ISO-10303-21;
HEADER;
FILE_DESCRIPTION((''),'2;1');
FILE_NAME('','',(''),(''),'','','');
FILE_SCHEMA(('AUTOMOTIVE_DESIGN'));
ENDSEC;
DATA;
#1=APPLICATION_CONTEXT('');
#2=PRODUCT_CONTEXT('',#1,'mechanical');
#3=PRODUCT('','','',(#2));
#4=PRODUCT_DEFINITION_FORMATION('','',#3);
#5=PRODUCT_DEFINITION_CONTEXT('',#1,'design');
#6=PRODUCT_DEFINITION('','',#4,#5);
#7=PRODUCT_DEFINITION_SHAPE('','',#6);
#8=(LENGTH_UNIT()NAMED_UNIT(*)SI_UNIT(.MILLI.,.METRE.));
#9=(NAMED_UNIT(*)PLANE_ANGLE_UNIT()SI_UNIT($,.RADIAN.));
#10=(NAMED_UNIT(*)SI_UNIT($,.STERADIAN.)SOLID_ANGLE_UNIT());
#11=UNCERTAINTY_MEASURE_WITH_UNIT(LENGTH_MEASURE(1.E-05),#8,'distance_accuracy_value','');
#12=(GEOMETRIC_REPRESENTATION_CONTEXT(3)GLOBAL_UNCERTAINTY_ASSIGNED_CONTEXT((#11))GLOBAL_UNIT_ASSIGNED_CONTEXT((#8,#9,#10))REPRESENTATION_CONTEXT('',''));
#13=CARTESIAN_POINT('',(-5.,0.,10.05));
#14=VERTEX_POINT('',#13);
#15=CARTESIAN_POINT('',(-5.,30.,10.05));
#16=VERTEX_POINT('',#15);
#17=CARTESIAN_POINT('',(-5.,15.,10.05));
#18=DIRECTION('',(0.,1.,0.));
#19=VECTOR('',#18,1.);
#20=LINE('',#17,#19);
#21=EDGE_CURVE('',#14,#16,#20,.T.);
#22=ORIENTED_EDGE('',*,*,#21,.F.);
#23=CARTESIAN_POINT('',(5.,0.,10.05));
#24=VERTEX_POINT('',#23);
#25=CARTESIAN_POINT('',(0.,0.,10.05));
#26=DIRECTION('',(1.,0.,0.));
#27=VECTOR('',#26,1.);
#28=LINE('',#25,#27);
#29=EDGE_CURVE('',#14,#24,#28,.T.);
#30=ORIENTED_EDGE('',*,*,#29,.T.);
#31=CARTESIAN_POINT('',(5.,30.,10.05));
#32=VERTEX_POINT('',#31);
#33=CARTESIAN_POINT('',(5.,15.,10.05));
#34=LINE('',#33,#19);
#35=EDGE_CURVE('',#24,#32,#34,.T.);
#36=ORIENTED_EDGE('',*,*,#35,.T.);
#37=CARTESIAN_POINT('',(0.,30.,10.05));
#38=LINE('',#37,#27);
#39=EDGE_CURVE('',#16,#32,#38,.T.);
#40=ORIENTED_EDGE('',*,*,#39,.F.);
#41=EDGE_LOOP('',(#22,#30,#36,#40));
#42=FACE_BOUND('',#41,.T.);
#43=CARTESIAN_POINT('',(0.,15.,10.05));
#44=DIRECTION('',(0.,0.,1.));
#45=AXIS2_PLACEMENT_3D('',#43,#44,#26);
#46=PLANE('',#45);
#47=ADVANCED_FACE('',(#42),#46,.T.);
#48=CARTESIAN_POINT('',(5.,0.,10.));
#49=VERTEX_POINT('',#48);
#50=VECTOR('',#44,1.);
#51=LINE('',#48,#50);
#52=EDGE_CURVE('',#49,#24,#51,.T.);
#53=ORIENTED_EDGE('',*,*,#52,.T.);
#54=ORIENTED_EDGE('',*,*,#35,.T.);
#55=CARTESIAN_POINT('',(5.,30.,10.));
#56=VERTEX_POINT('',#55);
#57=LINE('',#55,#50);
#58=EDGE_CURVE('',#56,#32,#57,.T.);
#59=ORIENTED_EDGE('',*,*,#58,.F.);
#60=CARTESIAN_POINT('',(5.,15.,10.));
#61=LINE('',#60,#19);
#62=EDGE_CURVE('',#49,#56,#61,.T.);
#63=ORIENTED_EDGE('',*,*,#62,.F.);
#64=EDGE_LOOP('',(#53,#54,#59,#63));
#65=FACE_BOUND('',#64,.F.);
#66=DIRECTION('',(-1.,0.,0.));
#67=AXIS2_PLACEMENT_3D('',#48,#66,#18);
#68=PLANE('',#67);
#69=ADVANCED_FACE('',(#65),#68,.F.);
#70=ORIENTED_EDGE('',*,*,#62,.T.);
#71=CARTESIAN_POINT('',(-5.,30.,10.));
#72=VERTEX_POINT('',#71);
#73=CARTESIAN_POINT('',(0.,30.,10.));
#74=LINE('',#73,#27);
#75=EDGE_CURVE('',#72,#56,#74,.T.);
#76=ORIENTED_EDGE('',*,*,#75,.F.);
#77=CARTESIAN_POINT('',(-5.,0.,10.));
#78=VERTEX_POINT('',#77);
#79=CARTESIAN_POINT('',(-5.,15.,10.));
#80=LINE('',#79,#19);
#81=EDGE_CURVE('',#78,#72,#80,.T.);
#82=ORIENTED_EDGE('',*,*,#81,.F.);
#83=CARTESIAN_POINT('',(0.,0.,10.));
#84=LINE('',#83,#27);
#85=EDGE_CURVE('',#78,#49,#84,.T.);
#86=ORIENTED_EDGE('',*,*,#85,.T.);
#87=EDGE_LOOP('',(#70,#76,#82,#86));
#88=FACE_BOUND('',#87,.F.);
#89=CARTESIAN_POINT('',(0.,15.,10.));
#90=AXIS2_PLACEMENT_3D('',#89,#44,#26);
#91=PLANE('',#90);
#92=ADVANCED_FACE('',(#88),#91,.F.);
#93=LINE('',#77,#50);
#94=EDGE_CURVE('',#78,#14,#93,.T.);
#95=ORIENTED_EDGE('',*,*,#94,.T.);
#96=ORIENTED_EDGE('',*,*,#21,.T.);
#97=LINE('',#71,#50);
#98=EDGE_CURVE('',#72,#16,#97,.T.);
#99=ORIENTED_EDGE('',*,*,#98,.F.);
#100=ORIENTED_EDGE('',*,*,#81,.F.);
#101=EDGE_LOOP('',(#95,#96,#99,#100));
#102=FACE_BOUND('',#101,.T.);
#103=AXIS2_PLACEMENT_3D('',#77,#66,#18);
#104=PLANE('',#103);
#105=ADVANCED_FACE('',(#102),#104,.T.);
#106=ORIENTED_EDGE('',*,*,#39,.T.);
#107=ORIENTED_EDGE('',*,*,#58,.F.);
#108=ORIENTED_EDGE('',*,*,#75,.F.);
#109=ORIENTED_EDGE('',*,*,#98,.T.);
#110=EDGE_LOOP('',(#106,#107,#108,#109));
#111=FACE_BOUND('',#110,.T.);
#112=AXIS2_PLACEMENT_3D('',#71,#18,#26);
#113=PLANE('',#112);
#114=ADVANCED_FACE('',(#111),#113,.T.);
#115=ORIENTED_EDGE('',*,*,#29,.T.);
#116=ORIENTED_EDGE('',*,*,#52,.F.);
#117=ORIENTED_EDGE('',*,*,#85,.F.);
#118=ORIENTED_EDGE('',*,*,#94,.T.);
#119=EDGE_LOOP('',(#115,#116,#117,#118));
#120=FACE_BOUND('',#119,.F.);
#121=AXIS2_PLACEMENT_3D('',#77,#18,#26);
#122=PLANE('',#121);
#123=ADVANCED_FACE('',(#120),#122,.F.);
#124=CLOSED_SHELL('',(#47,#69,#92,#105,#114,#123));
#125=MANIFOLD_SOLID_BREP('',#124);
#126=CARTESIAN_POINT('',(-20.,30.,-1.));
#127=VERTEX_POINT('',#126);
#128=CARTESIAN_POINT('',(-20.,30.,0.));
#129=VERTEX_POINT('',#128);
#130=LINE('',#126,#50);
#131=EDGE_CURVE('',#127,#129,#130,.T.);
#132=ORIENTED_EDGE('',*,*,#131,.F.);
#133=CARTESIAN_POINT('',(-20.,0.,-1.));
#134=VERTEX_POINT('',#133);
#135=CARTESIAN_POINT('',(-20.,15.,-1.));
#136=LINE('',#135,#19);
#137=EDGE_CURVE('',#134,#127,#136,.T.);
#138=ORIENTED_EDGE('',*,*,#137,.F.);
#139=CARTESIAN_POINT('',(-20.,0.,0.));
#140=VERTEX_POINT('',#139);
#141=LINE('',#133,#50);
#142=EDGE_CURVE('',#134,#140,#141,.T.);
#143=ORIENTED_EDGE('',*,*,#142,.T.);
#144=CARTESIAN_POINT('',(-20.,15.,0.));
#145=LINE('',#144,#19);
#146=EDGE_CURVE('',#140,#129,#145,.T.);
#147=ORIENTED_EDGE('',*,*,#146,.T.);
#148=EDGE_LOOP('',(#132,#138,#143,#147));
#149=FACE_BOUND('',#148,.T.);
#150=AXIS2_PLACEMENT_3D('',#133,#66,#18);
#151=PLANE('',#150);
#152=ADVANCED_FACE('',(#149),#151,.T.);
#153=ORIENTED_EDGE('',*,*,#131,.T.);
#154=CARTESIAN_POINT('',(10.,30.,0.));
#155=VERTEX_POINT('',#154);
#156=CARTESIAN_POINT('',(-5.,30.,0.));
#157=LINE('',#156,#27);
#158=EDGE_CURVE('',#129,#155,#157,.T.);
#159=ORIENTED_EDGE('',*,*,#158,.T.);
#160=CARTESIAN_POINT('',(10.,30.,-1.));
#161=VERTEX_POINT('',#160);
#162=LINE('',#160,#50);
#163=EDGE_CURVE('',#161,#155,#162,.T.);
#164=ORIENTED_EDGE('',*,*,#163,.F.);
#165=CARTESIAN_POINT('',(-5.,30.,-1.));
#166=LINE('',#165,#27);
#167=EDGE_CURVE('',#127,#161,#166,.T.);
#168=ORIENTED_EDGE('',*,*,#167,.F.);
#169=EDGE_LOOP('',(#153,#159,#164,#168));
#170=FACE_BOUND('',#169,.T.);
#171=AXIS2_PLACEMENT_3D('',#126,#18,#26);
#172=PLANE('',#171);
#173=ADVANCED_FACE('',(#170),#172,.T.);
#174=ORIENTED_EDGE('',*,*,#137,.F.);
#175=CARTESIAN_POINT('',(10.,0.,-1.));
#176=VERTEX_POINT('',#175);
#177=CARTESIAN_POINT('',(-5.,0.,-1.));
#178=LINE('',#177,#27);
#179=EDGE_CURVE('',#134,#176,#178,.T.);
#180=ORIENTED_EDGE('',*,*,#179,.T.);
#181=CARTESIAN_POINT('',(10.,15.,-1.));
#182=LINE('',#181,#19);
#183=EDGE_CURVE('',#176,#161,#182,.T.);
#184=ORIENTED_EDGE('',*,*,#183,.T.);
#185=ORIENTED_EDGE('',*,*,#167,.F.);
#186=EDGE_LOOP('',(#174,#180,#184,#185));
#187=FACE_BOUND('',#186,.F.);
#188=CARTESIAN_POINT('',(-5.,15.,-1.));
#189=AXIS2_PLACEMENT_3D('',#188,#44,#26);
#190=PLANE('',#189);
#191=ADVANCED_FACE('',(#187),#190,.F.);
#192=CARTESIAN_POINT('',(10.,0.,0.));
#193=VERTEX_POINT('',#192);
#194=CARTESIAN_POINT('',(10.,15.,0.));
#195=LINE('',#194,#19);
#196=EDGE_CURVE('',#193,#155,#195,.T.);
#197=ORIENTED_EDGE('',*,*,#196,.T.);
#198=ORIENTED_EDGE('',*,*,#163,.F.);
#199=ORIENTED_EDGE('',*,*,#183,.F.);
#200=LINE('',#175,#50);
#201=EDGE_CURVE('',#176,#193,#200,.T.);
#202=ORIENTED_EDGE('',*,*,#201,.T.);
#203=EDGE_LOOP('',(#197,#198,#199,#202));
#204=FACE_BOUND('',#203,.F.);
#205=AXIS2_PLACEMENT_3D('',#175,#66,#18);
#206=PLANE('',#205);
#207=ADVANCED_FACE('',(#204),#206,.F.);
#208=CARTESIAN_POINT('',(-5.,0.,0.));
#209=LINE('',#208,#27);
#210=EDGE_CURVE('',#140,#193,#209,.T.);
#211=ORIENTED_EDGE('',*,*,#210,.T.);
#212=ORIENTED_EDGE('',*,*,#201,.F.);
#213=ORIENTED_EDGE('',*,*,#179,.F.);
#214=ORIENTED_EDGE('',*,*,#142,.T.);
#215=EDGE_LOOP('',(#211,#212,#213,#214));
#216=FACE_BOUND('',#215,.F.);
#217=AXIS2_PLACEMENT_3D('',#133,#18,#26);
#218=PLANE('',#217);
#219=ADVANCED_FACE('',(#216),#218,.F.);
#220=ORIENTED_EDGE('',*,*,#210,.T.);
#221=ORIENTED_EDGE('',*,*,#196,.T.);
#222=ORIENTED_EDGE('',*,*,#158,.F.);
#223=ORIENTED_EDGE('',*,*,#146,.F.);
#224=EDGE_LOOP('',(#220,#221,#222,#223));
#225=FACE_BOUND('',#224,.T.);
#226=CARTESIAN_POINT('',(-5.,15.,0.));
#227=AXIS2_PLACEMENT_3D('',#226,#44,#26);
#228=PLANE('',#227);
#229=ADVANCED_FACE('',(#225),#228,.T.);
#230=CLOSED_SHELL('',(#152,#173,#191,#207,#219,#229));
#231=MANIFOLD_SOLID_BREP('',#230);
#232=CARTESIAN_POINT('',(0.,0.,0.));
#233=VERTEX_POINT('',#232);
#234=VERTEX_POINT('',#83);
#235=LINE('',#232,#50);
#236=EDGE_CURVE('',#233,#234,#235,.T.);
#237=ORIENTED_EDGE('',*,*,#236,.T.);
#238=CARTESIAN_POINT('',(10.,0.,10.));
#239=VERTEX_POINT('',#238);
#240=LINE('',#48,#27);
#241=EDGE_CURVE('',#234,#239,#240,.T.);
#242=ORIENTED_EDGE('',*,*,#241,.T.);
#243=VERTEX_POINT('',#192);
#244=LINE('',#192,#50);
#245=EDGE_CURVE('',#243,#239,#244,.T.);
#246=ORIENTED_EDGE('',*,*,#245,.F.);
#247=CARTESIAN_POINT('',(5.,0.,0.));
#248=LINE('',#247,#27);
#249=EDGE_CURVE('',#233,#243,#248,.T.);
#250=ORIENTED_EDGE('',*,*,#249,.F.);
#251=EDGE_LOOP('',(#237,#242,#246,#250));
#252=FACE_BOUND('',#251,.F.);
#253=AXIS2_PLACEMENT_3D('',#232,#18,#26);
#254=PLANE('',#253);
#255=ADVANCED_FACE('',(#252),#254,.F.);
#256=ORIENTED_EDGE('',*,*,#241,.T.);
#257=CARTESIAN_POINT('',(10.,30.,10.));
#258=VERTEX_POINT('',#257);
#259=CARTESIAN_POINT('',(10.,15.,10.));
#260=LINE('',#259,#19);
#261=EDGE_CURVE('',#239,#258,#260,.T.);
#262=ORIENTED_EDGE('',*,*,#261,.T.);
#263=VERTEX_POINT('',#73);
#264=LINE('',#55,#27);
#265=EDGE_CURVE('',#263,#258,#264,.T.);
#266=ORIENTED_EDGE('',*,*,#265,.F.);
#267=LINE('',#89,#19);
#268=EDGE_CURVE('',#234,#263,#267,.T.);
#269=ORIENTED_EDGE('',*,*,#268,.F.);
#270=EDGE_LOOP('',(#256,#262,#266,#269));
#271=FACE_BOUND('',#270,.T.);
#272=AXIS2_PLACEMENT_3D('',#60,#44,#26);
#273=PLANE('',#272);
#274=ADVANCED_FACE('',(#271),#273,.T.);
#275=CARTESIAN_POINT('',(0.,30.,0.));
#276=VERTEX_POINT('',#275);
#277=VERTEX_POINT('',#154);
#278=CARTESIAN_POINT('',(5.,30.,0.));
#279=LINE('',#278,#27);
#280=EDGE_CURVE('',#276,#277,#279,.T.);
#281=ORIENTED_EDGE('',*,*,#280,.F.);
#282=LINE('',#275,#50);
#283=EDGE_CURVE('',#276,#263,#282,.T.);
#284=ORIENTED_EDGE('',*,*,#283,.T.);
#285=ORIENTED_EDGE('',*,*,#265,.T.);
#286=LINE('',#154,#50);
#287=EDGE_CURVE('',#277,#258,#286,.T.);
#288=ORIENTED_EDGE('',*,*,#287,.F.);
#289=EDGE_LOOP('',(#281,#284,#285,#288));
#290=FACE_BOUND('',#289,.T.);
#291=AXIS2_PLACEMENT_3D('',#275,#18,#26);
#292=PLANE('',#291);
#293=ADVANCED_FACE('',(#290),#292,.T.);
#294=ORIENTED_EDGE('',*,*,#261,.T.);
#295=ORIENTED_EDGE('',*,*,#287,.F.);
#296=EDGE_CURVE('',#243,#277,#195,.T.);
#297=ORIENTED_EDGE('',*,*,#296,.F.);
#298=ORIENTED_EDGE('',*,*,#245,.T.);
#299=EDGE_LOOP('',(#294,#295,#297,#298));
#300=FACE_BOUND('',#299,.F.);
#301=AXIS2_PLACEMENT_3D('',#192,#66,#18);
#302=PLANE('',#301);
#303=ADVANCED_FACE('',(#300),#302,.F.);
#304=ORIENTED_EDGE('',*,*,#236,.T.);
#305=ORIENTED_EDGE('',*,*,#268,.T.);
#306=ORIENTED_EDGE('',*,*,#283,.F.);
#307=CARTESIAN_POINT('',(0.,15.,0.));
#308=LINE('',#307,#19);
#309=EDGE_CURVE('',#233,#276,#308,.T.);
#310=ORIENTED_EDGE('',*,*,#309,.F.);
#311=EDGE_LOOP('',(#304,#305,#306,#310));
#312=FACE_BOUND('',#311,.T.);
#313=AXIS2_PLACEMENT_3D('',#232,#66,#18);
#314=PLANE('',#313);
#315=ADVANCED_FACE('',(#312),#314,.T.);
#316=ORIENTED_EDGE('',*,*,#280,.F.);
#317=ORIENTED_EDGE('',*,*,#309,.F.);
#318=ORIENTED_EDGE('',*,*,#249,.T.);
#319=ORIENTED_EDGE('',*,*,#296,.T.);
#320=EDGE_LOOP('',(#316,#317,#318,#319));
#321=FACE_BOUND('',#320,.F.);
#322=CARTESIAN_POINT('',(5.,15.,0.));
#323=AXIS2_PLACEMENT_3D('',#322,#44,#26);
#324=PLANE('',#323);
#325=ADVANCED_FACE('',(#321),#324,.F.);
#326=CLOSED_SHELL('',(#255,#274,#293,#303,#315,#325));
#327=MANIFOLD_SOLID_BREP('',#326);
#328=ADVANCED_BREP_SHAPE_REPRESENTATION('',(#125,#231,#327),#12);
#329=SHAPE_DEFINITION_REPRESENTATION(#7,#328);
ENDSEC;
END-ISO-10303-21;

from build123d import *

# Parameters (mm, degrees)
BOX_W        = 10
BOX_H        = 30
BOX_DEPTH    = 0.05
BOX001_W     = 10
BOX001_H     = 30
BOX001_DEPTH = 10
BOX002_W     = 30
BOX002_H     = 30
BOX002_DEPTH = 1


with BuildPart() as cubo:
    # Box → Box (new body)
    with BuildSketch(Plane(origin=(-5, 0, 10), x_dir=(1, 0, 0), z_dir=(0, 0, 1))):
        with Locations((5, 15)):
            Rectangle(BOX_W, BOX_H)
    extrude(amount=BOX_DEPTH)


with BuildPart() as cubo001:
    # Box001 → Box001 (new body)
    with BuildSketch(Plane.XY):
        with Locations((5, 15)):
            Rectangle(BOX001_W, BOX001_H)
    extrude(amount=BOX001_DEPTH)


with BuildPart() as cubo002:
    # Box002 → Box002 (new body)
    with BuildSketch(Plane(origin=(-20, 0, -1), x_dir=(1, 0, 0), z_dir=(0, 0, 1))):
        with Locations((15, 15)):
            Rectangle(BOX002_W, BOX002_H)
    extrude(amount=BOX002_DEPTH)


solid = Compound([cubo.part, cubo001.part, cubo002.part])
